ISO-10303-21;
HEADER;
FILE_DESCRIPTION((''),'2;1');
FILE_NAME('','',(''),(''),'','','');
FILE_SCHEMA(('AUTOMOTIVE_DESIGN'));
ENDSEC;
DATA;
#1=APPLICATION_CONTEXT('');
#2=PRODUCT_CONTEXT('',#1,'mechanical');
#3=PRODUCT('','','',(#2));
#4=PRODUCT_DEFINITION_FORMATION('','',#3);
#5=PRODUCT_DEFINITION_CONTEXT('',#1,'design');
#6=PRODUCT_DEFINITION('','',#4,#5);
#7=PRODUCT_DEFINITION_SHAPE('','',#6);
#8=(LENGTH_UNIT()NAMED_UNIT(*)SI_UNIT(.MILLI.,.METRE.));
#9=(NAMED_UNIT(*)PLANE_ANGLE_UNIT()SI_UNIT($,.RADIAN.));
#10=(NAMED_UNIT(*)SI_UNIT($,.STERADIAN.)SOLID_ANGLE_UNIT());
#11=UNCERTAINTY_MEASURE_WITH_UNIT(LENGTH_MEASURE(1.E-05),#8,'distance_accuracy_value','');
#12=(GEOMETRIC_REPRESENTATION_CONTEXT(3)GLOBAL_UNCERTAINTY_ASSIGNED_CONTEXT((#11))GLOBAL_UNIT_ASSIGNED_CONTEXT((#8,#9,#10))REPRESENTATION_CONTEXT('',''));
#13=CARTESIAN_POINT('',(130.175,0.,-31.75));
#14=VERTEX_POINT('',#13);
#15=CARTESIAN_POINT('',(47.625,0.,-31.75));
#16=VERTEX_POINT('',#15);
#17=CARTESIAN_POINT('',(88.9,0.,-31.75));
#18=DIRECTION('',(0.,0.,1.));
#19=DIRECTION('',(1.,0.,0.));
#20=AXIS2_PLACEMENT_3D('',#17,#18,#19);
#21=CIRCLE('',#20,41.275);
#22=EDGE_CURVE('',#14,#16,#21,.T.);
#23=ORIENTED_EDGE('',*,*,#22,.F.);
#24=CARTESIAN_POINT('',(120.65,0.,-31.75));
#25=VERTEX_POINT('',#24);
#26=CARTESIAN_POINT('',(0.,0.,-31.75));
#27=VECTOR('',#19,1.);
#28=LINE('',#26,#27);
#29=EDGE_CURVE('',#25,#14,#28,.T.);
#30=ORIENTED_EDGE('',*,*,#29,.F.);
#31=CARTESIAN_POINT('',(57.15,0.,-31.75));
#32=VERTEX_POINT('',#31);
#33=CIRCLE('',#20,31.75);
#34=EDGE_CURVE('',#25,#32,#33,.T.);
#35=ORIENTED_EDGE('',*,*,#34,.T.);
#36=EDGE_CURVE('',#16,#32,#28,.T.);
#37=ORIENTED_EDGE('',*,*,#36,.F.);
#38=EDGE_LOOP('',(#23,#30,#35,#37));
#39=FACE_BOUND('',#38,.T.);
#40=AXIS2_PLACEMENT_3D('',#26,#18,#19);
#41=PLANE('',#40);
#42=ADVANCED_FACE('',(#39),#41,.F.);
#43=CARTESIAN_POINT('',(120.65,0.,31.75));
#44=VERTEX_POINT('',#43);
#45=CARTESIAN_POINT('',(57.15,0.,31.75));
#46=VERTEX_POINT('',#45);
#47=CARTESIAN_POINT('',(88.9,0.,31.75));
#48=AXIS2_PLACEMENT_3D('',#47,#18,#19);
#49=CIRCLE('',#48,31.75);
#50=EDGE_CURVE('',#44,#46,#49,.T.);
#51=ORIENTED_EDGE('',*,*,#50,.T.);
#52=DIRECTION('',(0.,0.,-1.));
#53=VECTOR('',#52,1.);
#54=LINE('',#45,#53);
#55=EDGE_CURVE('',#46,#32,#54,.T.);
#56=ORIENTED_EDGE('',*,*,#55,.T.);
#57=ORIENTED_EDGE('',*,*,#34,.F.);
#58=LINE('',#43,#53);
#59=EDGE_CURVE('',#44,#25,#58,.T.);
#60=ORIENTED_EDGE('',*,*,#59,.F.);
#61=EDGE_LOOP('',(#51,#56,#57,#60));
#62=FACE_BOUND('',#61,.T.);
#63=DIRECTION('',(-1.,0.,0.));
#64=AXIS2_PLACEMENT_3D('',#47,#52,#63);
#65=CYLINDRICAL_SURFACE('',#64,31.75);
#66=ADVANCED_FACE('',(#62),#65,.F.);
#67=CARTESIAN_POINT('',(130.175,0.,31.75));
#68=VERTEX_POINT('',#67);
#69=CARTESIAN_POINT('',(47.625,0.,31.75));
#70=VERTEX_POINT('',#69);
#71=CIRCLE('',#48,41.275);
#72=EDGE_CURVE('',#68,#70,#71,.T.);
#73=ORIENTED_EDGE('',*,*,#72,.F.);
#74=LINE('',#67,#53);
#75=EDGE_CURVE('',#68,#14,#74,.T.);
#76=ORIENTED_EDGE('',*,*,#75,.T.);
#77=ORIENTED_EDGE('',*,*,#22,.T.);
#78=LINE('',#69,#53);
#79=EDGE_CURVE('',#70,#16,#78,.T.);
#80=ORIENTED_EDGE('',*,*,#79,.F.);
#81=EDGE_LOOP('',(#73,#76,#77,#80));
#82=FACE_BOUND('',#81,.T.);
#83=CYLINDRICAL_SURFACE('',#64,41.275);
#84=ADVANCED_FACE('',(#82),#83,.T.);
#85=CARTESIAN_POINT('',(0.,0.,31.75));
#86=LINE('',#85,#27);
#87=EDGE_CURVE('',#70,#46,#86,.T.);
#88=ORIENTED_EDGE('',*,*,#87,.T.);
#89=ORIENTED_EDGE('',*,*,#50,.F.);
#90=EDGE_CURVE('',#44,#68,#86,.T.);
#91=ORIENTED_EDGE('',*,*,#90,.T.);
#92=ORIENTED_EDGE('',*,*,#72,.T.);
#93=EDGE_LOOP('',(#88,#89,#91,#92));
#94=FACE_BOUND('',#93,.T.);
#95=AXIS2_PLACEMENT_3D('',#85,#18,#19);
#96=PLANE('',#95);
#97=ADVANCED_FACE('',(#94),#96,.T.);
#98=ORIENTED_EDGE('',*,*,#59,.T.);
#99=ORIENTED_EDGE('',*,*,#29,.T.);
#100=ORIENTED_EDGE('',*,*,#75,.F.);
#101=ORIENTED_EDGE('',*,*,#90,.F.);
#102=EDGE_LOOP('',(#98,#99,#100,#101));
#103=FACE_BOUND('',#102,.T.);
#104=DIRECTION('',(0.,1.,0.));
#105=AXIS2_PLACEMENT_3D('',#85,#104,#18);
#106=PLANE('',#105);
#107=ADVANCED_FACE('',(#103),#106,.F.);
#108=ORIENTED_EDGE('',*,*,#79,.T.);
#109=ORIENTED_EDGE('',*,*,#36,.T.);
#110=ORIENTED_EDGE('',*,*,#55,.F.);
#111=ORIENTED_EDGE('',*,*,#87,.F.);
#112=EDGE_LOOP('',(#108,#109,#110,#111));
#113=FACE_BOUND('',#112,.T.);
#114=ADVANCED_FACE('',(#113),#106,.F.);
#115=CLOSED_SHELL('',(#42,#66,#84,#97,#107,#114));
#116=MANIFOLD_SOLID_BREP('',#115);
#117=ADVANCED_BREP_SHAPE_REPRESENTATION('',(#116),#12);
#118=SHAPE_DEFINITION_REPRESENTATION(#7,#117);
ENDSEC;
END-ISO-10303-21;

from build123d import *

# Parameters (mm, degrees)
BOSS_EXTRUDE1_DEPTH = 31.75


with BuildPart() as part:
    # Sketch1 → Boss-Extrude1 (new body, symmetric)
    with BuildSketch(Plane.XY):
        with BuildLine():
            ThreePointArc((57.15, 0), (88.9, 31.75), (120.65, 0))
            Line((120.65, 0), (130.175, 0))
            ThreePointArc((130.175, 0), (129.671322086, 6.428446187), (128.172581084, 12.7))
            ThreePointArc((128.172581084, 12.7), (88.9, 41.275), (49.627418916, 12.7))
            ThreePointArc((49.627418916, 12.7), (48.128677914, 6.428446187), (47.625, 0))
            Line((47.625, 0), (57.15, 0))
        make_face()
    extrude(amount=BOSS_EXTRUDE1_DEPTH, both=True)


solid = part.part
